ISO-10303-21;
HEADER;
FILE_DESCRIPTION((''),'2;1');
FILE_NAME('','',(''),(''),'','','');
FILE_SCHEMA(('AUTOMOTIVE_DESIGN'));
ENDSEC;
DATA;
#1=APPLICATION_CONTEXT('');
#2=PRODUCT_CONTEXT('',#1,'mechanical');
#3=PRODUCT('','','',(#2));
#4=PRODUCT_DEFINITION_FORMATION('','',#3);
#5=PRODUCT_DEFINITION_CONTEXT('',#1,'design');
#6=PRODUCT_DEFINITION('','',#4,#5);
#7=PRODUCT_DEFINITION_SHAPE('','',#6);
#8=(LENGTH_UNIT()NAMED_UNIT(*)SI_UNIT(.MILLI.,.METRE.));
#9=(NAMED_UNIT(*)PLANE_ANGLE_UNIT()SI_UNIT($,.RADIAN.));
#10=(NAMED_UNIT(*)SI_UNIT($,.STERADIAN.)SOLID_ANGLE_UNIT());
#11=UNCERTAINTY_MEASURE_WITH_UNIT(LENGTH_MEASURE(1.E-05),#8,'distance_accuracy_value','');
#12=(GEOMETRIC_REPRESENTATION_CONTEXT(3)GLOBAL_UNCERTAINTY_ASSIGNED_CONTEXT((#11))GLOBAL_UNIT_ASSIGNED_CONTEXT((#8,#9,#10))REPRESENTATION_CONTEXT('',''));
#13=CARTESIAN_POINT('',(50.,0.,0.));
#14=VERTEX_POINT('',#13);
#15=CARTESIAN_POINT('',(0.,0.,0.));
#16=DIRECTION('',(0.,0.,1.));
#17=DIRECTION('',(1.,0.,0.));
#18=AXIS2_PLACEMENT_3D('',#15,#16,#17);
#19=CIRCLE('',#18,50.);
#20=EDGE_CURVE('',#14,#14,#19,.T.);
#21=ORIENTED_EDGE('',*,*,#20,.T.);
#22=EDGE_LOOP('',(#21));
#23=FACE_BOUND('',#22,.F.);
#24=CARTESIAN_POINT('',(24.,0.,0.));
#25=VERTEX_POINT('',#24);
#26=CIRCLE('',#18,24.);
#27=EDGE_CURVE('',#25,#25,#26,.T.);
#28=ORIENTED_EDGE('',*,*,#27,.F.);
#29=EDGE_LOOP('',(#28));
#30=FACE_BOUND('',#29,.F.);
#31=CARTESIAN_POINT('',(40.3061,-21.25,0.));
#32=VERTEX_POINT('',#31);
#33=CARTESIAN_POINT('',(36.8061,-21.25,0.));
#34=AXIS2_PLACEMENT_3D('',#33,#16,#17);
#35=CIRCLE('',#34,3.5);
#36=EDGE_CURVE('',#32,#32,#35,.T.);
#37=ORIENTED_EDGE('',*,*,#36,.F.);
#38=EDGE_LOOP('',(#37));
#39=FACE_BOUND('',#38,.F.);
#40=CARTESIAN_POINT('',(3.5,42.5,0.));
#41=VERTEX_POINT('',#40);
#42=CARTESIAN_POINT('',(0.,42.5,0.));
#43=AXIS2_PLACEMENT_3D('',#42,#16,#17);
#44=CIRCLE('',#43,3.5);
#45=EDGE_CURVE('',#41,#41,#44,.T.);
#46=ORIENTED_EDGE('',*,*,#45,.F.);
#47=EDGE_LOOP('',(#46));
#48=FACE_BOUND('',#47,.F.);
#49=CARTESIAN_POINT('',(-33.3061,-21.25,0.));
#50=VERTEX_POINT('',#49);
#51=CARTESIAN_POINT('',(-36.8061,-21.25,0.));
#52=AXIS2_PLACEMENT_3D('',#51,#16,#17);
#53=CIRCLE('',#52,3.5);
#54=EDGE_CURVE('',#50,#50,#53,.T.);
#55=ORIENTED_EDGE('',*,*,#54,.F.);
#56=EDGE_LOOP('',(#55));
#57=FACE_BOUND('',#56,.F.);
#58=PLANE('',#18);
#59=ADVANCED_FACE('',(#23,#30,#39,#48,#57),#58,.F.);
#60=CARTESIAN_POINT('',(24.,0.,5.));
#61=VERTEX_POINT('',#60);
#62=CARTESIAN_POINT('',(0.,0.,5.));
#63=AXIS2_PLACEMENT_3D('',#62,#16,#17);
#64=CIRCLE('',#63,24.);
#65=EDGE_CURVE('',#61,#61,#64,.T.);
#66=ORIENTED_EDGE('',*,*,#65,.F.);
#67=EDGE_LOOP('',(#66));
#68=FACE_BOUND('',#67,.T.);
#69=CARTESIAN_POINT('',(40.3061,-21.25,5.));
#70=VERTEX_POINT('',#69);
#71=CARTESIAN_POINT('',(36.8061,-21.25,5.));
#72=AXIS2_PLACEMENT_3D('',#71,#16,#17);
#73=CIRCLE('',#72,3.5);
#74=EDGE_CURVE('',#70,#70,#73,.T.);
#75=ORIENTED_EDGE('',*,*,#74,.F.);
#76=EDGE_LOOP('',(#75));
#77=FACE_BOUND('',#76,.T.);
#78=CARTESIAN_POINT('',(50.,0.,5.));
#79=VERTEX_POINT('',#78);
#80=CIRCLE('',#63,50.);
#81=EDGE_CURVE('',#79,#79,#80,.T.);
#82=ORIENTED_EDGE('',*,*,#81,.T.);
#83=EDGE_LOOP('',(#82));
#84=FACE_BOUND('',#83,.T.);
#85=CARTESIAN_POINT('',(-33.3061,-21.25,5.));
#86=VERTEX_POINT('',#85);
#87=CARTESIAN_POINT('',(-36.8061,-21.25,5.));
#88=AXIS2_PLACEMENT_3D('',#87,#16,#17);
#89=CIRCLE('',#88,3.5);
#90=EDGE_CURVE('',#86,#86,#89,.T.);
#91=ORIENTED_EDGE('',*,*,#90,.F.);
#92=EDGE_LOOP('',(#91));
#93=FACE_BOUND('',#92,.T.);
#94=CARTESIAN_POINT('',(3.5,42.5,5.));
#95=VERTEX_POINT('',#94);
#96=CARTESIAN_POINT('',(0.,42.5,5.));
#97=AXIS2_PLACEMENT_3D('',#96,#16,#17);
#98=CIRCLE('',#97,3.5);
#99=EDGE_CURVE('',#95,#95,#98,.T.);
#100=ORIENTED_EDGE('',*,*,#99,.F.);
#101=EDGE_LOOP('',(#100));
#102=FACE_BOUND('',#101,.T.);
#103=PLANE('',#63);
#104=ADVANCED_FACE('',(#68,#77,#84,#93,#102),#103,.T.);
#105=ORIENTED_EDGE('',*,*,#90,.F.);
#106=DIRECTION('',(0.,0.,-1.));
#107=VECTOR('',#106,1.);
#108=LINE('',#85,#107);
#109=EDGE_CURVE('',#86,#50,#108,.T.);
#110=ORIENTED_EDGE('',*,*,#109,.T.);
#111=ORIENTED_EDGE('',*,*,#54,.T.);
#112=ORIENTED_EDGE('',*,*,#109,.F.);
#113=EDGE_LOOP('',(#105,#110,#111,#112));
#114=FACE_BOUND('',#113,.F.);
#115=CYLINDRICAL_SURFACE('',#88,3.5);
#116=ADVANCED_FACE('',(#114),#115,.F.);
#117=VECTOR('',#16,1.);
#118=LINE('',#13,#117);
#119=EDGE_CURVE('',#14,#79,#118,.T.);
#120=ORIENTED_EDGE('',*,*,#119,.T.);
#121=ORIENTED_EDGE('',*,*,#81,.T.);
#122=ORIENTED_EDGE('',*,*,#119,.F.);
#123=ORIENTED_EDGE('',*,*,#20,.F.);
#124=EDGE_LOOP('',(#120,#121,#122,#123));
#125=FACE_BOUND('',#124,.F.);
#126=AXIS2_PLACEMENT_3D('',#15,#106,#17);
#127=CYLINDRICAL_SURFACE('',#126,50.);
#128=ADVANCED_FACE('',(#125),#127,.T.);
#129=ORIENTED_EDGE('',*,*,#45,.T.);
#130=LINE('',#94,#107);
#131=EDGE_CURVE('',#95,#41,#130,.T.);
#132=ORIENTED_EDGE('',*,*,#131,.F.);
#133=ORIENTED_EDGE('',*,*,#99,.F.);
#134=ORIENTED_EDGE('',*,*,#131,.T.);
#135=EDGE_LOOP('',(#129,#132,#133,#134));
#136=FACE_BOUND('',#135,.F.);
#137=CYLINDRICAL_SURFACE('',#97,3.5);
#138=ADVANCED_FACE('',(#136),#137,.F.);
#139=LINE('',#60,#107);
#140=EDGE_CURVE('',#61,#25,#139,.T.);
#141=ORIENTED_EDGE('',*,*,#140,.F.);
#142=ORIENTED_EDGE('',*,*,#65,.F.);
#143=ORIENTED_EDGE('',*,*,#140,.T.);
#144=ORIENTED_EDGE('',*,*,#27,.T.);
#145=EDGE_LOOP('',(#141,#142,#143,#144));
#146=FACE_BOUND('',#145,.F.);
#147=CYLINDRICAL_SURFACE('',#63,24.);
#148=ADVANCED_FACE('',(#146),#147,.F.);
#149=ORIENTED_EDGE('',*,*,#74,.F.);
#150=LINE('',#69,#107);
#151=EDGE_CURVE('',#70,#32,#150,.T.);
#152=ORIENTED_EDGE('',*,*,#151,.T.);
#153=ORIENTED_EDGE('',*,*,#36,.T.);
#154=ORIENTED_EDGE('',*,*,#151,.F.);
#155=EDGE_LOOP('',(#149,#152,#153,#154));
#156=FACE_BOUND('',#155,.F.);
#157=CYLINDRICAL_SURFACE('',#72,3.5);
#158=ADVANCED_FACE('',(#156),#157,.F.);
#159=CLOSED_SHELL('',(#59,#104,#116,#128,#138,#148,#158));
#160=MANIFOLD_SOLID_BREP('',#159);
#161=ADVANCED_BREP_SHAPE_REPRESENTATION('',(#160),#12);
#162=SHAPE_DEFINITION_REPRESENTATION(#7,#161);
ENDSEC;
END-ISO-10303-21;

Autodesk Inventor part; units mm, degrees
ref_plane "YZ Plane" through (0, 0, 0) normal (1, 0, 0) x (0, 1, 0)
ref_plane "XZ Plane" through (0, 0, 0) normal (0, 1, 0) x (-1, 0, 0)
ref_plane "XY Plane" through (0, 0, 0) normal (0, 0, 1) x (1, 0, 0)
sketch "Sketch1" plane through (0, 0, 0) normal (0, 0, 1) x (1, 0, 0)
  circle A0 centre (0, 0) radius 50
  dimension "d0" = 100
extrude "Extrusion1" add sketch "Sketch1" along normal blind 5
sketch "Sketch2" plane through (0, 0, 5) normal (0, 0, 1) x (1, 0, 0)
  circle A0 centre (0, 0) radius 24
  dimension "d3" = 48
extrude "Extrusion2" cut sketch "Sketch2" against normal blind 5
sketch "Sketch3" plane through (0, 0, 5) normal (0, 0, 1) x (1, 0, 0)
  circle A0 centre (0, 42.5) radius 3.5
  circle A1 centre (0, 0) radius 50 projected
  circle A2 centre (-36.8061, -21.25) radius 3.5
  circle A3 centre (36.8061, -21.25) radius 3.5
  dimension "d6" = 7
  dimension "d8" = 4
  dimension "d11" = 360
extrude "Extrusion3" cut sketch "Sketch3" against normal blind 5 contours A0 | A2 | A3
properties part number "blacha pod odciągi"
